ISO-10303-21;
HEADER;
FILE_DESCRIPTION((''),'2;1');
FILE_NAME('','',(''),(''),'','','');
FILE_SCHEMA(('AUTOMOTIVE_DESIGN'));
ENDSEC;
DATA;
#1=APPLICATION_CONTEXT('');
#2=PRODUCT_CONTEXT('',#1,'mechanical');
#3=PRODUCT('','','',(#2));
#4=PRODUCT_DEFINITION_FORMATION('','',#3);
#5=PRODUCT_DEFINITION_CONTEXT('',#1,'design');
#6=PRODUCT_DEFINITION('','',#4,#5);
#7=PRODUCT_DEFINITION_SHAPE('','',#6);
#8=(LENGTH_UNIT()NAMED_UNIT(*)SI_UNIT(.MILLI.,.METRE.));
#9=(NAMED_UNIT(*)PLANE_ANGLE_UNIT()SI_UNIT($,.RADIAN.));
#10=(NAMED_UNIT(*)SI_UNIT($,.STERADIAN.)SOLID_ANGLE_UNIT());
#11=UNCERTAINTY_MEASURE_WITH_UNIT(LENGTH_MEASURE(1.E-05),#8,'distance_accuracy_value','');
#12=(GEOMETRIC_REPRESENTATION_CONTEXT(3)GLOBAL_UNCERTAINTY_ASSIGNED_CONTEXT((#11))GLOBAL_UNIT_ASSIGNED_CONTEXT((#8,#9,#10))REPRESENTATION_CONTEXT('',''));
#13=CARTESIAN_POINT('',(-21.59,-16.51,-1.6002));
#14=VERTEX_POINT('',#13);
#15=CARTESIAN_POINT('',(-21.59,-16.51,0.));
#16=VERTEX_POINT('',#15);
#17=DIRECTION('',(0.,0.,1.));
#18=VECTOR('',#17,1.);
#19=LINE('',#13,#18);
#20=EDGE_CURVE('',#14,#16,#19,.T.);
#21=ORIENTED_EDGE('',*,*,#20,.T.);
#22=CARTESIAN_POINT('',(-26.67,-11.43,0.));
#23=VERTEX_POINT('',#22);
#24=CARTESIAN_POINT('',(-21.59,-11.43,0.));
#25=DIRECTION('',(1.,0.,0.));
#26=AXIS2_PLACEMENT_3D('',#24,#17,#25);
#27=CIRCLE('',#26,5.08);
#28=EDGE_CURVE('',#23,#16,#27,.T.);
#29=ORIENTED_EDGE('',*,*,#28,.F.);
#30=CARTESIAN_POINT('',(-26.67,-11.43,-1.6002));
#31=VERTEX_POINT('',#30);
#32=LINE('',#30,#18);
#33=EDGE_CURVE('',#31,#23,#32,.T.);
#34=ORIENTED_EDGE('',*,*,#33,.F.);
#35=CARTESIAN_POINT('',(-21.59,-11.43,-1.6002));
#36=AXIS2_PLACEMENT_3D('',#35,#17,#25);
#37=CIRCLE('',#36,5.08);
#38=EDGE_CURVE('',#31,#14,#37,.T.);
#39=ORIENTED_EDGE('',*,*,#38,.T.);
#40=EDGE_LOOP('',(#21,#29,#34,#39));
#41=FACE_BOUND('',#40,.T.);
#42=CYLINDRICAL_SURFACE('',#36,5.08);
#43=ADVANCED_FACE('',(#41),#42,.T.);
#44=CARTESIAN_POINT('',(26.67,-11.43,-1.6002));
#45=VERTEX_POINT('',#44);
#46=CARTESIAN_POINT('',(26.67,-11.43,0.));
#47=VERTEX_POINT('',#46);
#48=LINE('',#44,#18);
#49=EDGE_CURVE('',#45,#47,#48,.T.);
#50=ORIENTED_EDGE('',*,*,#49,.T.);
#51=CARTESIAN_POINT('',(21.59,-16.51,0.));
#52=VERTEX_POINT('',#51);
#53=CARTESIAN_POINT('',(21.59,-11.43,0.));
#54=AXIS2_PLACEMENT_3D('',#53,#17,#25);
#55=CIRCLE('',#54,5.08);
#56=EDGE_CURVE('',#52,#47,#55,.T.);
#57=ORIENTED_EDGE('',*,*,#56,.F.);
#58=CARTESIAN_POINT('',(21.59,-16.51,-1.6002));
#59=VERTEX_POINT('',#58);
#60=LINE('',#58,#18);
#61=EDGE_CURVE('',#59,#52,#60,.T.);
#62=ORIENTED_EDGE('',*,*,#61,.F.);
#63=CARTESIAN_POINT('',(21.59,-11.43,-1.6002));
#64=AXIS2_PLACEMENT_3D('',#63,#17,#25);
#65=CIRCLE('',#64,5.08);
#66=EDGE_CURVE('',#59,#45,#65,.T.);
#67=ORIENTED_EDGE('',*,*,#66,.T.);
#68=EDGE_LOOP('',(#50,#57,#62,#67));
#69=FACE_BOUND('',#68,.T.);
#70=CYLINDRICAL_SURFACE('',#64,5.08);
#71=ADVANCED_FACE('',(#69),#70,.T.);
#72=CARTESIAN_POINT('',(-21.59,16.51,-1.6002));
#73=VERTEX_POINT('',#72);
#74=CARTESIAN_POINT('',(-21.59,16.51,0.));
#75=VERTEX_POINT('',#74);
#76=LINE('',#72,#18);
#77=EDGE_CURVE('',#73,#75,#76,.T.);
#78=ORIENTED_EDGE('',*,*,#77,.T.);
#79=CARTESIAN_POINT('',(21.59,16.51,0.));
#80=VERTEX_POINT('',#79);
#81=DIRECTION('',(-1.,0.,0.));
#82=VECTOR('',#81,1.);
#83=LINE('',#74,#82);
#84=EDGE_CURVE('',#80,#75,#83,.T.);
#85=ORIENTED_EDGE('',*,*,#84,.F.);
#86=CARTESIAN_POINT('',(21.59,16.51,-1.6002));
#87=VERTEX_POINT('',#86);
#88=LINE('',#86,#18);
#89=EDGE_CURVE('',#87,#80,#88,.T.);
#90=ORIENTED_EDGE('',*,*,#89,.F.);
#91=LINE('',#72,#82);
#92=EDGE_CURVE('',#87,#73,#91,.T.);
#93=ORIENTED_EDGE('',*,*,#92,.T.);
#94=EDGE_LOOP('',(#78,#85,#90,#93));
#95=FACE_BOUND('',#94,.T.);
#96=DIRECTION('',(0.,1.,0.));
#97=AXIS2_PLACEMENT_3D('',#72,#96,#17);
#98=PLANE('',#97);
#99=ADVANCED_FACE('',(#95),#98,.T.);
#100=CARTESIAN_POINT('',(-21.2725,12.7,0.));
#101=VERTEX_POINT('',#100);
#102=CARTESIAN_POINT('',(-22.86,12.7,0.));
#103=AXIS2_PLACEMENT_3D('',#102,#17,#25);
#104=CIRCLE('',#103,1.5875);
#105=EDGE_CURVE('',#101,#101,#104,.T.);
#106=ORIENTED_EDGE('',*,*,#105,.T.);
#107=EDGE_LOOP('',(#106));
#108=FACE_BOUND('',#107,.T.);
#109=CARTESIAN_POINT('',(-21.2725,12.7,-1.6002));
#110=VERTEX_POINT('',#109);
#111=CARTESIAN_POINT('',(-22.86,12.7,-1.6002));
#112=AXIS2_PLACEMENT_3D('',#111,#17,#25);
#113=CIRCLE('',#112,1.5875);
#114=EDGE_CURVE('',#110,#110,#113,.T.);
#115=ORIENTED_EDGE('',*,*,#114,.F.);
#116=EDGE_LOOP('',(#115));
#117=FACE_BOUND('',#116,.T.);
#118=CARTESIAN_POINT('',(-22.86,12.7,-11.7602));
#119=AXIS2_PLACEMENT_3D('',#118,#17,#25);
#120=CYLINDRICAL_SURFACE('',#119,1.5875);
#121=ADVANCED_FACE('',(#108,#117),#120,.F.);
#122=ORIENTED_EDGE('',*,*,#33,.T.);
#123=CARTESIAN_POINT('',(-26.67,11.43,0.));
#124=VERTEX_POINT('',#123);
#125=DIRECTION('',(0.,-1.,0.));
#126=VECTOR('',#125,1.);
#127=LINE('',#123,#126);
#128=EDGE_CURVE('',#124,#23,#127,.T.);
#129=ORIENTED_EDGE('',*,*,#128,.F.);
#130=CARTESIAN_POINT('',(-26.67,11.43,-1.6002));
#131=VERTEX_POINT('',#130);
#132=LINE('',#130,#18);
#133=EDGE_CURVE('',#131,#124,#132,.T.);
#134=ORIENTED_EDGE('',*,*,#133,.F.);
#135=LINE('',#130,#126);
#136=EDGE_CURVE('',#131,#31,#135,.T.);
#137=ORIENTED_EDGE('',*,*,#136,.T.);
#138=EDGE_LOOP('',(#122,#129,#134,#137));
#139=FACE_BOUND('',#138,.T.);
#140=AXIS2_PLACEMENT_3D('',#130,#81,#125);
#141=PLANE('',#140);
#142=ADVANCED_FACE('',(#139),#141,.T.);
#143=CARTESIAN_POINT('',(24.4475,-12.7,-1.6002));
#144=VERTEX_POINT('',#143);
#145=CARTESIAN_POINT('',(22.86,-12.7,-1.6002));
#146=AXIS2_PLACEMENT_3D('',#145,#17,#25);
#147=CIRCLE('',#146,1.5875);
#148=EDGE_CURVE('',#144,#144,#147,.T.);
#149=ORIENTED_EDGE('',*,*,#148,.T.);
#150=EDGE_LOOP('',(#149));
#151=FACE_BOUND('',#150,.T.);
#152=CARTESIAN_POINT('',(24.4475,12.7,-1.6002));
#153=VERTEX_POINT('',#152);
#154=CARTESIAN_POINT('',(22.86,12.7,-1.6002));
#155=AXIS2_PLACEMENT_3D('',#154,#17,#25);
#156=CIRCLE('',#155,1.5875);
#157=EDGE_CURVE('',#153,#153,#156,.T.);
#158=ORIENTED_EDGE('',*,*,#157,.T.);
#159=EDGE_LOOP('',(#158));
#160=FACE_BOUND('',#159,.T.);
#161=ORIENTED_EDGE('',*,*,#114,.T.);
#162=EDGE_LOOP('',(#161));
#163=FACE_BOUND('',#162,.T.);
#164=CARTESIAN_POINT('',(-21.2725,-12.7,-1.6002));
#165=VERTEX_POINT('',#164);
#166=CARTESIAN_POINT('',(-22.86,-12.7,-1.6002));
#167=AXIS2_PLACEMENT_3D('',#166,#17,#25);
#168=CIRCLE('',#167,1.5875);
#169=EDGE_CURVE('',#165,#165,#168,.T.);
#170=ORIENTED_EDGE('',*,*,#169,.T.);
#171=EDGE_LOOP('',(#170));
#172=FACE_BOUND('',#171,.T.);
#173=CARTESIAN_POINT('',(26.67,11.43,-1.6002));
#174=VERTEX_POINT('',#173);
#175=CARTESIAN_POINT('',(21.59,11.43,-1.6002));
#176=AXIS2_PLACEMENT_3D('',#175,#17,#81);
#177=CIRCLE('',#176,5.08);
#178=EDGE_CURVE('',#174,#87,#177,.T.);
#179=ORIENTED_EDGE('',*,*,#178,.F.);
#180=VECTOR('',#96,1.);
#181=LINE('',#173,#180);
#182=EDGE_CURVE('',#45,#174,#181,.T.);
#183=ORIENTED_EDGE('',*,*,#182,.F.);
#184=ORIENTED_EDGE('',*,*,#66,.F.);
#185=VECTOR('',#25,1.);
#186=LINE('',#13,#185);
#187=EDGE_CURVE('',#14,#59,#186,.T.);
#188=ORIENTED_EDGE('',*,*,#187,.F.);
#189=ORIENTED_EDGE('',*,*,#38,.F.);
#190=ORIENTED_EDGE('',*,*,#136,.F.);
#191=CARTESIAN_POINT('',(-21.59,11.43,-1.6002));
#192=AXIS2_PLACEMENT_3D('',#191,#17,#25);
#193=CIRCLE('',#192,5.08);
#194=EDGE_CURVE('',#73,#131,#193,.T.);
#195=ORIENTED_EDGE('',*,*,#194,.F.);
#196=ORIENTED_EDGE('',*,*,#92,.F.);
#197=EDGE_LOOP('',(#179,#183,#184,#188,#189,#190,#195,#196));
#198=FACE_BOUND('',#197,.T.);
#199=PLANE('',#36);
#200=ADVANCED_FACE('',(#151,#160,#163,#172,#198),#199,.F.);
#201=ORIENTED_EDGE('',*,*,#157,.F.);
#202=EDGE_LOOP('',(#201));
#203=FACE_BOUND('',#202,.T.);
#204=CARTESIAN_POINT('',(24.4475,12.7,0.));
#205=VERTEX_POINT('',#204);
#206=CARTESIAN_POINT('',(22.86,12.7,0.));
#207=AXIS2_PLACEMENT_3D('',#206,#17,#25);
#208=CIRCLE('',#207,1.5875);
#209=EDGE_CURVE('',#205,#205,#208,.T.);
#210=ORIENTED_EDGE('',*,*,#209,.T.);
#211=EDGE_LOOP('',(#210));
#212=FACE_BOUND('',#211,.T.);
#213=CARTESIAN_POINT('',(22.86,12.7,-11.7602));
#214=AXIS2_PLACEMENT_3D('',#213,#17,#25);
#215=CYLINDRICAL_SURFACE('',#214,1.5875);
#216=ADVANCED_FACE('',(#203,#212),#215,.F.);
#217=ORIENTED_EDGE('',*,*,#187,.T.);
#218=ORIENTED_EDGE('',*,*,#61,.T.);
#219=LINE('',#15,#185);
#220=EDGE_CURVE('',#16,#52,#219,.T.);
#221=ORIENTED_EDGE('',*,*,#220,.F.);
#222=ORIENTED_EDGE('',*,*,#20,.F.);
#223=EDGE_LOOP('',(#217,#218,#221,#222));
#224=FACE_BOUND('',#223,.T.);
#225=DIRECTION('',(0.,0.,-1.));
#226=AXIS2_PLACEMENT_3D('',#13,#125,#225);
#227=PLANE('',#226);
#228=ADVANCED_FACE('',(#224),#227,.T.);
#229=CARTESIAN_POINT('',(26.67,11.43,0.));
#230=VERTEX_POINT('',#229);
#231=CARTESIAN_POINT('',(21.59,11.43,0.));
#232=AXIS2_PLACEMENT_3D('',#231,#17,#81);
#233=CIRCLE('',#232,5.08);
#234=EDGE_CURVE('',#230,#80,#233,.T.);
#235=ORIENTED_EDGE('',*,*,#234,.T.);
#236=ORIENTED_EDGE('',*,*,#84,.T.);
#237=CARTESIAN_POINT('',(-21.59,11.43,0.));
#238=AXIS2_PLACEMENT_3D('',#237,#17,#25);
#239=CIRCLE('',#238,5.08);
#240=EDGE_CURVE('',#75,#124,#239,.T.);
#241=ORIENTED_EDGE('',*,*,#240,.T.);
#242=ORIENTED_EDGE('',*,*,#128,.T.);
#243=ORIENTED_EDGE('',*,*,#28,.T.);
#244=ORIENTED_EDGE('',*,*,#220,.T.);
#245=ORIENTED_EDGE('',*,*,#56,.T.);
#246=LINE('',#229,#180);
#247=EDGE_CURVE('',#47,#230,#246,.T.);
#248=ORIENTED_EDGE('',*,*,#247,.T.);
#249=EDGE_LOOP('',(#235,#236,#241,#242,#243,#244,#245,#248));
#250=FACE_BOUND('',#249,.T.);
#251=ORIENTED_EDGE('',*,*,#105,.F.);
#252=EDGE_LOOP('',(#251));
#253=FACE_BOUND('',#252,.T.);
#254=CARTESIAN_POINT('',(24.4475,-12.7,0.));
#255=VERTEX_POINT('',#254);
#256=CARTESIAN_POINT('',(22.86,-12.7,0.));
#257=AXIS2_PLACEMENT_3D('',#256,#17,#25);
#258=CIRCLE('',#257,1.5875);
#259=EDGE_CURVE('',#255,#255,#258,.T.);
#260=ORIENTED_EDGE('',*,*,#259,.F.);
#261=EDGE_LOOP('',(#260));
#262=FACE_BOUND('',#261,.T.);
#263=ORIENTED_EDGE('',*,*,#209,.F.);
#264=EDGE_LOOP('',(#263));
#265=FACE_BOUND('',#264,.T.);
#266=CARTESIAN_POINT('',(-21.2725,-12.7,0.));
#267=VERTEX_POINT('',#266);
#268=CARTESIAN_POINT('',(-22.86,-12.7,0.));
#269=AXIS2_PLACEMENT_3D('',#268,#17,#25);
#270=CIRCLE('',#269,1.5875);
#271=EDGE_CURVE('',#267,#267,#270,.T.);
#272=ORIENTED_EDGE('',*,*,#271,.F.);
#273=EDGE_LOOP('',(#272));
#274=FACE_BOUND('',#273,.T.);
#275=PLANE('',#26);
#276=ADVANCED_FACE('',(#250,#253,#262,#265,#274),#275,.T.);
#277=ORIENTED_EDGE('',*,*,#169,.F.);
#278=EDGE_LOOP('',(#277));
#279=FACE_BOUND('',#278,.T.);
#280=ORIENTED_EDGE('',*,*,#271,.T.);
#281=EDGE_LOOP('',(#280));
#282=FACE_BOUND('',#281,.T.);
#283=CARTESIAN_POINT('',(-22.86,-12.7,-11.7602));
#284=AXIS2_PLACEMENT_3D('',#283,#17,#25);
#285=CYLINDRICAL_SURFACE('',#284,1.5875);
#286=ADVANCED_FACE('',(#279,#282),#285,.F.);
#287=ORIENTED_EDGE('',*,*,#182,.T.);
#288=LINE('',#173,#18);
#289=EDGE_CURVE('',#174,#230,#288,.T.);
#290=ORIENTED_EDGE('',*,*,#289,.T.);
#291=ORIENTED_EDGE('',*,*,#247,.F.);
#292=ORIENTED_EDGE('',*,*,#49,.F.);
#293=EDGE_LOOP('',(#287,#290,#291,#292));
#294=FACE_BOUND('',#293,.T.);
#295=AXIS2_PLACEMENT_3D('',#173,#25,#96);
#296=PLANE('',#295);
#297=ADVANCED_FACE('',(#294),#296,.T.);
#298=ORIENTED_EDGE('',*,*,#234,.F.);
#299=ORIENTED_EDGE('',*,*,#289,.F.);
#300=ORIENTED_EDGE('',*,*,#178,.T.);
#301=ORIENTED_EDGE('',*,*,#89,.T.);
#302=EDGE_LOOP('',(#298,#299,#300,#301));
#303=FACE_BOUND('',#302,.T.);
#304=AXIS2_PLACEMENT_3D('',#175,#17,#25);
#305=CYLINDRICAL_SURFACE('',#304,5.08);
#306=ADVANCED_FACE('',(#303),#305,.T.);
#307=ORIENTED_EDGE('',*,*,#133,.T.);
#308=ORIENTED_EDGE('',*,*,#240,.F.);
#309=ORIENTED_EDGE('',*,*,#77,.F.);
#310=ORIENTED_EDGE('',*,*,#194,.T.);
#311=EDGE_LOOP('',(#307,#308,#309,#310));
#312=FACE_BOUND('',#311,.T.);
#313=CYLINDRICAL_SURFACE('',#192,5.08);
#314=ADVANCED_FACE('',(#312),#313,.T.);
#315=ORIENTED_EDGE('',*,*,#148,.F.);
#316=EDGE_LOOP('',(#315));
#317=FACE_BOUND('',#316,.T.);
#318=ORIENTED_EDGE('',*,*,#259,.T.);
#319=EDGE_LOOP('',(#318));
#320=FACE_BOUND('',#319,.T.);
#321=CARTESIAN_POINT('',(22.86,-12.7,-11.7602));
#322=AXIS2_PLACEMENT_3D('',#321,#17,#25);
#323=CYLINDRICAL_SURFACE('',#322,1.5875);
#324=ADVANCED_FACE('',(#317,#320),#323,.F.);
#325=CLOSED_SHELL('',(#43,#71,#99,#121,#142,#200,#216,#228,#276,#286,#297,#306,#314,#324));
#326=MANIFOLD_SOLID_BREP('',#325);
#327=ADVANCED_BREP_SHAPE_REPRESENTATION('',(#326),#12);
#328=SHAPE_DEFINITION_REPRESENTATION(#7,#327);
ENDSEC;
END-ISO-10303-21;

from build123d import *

# Parameters (mm, degrees)
BOSS_EXTRUDE1_DEPTH = 1.6002
SKETCH2_R           = 1.5875
CUT_EXTRUDE1_DEPTH  = 11.7602


with BuildPart() as part:
    # Sketch1 → Boss-Extrude1 (new body)
    with BuildSketch(Plane.XY):
        with BuildLine():
            Line((-21.59, 16.51), (21.59, 16.51))
            ThreePointArc((21.59, 16.51), (25.182102448, 15.022102448), (26.67, 11.43))
            Line((26.67, 11.43), (26.67, -11.43))
            ThreePointArc((26.67, -11.43), (25.182102448, -15.022102448), (21.59, -16.51))
            Line((21.59, -16.51), (-21.59, -16.51))
            ThreePointArc((-21.59, -16.51), (-25.182102448, -15.022102448), (-26.67, -11.43))
            Line((-26.67, -11.43), (-26.67, 11.43))
            ThreePointArc((-26.67, 11.43), (-25.182102448, 15.022102448), (-21.59, 16.51))
        make_face()
    extrude(amount=-BOSS_EXTRUDE1_DEPTH)

    # Sketch2 → Cut-Extrude1 (cut)
    with BuildSketch(Plane.XY):
        with Locations((-22.86, 12.7)):
            Circle(SKETCH2_R)
        with Locations((-22.86, -12.7)):
            Circle(SKETCH2_R)
        with Locations((22.86, 12.7)):
            Circle(SKETCH2_R)
        with Locations((22.86, -12.7)):
            Circle(SKETCH2_R)
    extrude(amount=-CUT_EXTRUDE1_DEPTH, mode=Mode.SUBTRACT)


solid = part.part
